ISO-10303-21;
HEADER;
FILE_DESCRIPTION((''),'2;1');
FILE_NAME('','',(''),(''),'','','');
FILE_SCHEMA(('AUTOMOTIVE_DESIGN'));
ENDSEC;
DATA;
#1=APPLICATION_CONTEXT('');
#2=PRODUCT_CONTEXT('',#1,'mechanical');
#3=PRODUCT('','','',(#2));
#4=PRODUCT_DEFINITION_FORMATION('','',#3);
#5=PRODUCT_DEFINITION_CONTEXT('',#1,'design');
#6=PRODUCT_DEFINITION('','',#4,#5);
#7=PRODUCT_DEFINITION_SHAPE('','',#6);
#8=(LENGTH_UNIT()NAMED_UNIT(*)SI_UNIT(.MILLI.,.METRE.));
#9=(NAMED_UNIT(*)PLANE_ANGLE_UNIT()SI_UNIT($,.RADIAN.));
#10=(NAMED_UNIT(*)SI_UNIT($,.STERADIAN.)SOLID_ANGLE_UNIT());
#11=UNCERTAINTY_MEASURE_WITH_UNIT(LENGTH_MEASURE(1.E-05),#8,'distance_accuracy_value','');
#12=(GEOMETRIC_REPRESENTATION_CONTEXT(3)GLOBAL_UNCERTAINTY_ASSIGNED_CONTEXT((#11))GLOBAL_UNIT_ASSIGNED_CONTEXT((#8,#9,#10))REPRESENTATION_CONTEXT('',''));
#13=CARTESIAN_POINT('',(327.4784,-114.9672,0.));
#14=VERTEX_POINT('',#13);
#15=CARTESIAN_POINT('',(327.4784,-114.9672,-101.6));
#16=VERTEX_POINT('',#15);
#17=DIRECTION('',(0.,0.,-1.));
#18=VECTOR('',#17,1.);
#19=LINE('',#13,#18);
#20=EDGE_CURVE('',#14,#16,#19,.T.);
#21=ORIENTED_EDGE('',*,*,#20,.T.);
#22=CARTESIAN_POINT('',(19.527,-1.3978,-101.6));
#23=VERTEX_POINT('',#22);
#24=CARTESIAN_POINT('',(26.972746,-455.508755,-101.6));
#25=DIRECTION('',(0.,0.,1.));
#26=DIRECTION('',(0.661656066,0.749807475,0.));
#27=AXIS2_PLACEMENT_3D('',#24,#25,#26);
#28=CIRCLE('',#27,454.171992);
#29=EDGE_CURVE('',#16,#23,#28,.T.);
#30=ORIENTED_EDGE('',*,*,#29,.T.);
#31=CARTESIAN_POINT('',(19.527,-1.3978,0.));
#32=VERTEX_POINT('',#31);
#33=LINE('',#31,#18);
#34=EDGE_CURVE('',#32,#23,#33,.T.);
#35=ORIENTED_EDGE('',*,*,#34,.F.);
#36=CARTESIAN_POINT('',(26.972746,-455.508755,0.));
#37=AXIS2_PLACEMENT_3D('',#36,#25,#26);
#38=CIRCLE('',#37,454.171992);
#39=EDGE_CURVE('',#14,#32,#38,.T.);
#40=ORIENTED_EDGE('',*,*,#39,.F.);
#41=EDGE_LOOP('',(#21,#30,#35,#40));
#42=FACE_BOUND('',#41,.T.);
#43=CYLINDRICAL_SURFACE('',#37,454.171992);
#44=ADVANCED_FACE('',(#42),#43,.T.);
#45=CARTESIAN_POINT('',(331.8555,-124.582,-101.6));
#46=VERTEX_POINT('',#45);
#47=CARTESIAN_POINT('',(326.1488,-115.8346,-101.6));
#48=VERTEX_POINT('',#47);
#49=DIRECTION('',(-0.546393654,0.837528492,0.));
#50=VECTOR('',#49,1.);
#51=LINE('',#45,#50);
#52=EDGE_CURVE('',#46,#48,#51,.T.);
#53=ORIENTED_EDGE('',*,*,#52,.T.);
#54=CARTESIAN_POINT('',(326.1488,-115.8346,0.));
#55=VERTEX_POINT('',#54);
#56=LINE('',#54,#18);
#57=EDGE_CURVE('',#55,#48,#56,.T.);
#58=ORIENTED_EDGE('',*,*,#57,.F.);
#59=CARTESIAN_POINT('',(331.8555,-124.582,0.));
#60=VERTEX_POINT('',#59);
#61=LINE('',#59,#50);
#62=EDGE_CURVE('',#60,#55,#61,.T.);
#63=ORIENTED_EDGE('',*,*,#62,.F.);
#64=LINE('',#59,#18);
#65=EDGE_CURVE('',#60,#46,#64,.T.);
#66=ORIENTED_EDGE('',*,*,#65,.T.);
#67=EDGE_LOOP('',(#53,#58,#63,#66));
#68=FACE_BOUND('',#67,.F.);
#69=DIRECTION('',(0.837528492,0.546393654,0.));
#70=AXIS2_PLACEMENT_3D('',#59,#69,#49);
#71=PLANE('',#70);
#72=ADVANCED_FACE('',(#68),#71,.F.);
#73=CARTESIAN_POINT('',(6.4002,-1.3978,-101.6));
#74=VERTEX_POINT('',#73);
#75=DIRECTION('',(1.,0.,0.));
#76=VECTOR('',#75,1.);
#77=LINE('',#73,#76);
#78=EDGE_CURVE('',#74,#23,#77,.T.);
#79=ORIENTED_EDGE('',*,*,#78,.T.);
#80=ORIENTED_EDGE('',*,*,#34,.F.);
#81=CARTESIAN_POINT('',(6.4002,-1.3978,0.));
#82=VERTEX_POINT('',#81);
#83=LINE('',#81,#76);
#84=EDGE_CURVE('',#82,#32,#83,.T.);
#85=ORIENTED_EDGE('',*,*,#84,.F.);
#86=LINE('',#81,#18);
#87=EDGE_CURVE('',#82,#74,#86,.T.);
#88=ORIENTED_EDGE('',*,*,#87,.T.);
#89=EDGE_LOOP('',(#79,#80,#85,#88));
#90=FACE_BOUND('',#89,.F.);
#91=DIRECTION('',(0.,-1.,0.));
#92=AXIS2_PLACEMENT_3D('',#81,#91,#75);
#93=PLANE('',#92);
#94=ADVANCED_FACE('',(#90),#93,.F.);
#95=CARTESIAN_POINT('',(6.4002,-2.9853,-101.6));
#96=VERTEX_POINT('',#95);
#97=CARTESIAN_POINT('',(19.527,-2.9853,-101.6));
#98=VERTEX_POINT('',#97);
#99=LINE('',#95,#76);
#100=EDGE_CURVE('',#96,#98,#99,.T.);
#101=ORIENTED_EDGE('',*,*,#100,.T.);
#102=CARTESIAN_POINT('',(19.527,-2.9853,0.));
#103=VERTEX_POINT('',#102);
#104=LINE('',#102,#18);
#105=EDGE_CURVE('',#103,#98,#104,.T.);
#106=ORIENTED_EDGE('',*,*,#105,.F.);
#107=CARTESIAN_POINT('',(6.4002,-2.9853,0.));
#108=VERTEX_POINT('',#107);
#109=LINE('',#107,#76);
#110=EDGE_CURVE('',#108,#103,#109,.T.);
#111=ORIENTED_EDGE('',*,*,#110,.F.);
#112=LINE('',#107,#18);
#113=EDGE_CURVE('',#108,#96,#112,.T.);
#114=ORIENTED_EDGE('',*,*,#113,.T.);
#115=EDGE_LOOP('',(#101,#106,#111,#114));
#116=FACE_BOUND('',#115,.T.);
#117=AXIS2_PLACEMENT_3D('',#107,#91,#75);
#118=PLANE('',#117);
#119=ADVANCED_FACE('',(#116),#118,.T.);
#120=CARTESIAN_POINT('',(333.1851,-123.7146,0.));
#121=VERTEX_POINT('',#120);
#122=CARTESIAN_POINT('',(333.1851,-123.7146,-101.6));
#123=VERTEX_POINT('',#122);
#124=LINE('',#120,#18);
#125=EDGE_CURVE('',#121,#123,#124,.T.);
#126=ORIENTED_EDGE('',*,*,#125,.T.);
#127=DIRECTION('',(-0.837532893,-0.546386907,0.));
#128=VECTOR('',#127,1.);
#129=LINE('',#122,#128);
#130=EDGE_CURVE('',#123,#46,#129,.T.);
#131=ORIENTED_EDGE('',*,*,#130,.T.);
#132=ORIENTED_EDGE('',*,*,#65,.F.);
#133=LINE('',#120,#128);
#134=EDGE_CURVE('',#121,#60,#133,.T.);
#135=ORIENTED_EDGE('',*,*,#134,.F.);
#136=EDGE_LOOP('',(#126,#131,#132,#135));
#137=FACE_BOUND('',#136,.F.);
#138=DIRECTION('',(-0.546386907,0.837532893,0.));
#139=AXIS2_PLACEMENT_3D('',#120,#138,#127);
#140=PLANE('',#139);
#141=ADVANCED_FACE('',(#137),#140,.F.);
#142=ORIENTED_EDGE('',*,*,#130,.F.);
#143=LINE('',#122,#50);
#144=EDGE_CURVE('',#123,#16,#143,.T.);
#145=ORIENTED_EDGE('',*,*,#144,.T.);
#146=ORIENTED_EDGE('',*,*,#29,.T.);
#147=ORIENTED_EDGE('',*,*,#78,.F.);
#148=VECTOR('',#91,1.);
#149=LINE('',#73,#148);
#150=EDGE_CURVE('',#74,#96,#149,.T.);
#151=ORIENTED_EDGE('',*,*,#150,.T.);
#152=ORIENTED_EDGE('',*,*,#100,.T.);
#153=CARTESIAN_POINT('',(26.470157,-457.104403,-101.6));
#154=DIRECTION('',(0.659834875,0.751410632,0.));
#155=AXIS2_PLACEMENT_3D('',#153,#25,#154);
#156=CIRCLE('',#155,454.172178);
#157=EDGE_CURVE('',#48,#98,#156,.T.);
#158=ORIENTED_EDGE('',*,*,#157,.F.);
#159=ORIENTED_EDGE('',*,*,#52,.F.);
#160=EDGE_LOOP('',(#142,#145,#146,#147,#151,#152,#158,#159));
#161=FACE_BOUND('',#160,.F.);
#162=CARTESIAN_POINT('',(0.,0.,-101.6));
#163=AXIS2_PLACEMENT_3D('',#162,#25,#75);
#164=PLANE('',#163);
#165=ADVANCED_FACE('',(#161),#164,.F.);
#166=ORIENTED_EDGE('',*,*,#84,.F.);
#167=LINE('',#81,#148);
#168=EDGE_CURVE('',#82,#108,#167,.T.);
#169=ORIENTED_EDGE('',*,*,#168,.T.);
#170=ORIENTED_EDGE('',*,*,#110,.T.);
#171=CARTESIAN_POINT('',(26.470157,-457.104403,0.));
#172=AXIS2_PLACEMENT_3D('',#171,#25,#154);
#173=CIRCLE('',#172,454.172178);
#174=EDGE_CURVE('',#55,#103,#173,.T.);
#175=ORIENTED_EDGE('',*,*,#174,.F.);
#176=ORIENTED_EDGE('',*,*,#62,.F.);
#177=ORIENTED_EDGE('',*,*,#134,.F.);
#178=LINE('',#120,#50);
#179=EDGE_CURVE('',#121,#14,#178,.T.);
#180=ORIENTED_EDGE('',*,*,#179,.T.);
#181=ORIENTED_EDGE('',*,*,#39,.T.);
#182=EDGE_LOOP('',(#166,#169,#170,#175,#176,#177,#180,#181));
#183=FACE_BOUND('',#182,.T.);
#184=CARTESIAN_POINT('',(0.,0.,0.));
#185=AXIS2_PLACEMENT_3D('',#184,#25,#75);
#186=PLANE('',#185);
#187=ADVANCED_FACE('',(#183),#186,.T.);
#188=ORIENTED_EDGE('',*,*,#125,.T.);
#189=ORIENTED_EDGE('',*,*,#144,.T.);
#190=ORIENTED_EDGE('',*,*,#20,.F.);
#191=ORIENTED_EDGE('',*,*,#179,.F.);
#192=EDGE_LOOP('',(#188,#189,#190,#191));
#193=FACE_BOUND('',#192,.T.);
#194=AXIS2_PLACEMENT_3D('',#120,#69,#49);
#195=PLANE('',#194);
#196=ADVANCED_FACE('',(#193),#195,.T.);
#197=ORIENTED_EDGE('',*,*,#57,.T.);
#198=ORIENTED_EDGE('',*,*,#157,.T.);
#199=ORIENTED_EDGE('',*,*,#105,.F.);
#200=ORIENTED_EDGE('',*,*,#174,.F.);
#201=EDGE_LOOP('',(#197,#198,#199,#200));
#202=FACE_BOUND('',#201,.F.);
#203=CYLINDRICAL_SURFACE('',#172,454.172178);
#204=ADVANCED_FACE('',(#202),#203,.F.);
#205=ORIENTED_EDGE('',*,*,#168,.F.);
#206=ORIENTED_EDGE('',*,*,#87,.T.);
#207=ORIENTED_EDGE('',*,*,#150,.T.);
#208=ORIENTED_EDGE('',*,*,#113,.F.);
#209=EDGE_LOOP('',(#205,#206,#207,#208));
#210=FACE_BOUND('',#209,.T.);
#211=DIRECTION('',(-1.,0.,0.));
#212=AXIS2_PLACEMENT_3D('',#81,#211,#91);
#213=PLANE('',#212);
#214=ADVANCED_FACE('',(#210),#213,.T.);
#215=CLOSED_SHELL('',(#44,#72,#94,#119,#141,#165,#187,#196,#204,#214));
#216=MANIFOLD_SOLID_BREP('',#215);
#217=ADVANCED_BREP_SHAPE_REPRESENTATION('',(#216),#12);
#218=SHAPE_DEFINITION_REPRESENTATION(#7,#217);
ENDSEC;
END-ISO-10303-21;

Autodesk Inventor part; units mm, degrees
ref_plane "YZ Plane" through (0, 0, 0) normal (1, 0, 0) x (0, 1, 0)
ref_plane "XZ Plane" through (0, 0, 0) normal (0, 1, 0) x (-1, 0, 0)
ref_plane "XY Plane" through (0, 0, 0) normal (0, 0, 1) x (1, 0, 0)
sketch "Sketch1" plane through (0, 0, 0) normal (0, 0, 1) x (1, 0, 0)
  line L0 (6.4002, -1.3978) -> (19.527, -1.3978)
  line L1 (6.4002, -1.3978) -> (6.4002, -2.9853)
  line L2 (6.4002, -2.9853) -> (19.527, -2.9853)
  line L3 (333.1851, -123.7146) -> (327.4784, -114.9672)
  line L4 (333.1851, -123.7146) -> (331.8555, -124.582)
  line L5 (331.8555, -124.582) -> (326.1488, -115.8346)
  arc A0 (327.4784, -114.9672) -> (19.527, -1.3978) centre (26.9726, -455.509) ccw
  arc A1 (326.1488, -115.8346) -> (19.527, -2.9853) centre (26.4701, -457.1045) ccw
  point P0 (0, 0)
  dimension "d1" = 1.5875
  dimension "d2" = 1.5875
  dimension "d3" = 454.1723
extrude "Extrusion1" add sketch "Sketch1" against normal blind 101.6
properties part number "Hood Lexan" material "Polycarbonate, Clear"
